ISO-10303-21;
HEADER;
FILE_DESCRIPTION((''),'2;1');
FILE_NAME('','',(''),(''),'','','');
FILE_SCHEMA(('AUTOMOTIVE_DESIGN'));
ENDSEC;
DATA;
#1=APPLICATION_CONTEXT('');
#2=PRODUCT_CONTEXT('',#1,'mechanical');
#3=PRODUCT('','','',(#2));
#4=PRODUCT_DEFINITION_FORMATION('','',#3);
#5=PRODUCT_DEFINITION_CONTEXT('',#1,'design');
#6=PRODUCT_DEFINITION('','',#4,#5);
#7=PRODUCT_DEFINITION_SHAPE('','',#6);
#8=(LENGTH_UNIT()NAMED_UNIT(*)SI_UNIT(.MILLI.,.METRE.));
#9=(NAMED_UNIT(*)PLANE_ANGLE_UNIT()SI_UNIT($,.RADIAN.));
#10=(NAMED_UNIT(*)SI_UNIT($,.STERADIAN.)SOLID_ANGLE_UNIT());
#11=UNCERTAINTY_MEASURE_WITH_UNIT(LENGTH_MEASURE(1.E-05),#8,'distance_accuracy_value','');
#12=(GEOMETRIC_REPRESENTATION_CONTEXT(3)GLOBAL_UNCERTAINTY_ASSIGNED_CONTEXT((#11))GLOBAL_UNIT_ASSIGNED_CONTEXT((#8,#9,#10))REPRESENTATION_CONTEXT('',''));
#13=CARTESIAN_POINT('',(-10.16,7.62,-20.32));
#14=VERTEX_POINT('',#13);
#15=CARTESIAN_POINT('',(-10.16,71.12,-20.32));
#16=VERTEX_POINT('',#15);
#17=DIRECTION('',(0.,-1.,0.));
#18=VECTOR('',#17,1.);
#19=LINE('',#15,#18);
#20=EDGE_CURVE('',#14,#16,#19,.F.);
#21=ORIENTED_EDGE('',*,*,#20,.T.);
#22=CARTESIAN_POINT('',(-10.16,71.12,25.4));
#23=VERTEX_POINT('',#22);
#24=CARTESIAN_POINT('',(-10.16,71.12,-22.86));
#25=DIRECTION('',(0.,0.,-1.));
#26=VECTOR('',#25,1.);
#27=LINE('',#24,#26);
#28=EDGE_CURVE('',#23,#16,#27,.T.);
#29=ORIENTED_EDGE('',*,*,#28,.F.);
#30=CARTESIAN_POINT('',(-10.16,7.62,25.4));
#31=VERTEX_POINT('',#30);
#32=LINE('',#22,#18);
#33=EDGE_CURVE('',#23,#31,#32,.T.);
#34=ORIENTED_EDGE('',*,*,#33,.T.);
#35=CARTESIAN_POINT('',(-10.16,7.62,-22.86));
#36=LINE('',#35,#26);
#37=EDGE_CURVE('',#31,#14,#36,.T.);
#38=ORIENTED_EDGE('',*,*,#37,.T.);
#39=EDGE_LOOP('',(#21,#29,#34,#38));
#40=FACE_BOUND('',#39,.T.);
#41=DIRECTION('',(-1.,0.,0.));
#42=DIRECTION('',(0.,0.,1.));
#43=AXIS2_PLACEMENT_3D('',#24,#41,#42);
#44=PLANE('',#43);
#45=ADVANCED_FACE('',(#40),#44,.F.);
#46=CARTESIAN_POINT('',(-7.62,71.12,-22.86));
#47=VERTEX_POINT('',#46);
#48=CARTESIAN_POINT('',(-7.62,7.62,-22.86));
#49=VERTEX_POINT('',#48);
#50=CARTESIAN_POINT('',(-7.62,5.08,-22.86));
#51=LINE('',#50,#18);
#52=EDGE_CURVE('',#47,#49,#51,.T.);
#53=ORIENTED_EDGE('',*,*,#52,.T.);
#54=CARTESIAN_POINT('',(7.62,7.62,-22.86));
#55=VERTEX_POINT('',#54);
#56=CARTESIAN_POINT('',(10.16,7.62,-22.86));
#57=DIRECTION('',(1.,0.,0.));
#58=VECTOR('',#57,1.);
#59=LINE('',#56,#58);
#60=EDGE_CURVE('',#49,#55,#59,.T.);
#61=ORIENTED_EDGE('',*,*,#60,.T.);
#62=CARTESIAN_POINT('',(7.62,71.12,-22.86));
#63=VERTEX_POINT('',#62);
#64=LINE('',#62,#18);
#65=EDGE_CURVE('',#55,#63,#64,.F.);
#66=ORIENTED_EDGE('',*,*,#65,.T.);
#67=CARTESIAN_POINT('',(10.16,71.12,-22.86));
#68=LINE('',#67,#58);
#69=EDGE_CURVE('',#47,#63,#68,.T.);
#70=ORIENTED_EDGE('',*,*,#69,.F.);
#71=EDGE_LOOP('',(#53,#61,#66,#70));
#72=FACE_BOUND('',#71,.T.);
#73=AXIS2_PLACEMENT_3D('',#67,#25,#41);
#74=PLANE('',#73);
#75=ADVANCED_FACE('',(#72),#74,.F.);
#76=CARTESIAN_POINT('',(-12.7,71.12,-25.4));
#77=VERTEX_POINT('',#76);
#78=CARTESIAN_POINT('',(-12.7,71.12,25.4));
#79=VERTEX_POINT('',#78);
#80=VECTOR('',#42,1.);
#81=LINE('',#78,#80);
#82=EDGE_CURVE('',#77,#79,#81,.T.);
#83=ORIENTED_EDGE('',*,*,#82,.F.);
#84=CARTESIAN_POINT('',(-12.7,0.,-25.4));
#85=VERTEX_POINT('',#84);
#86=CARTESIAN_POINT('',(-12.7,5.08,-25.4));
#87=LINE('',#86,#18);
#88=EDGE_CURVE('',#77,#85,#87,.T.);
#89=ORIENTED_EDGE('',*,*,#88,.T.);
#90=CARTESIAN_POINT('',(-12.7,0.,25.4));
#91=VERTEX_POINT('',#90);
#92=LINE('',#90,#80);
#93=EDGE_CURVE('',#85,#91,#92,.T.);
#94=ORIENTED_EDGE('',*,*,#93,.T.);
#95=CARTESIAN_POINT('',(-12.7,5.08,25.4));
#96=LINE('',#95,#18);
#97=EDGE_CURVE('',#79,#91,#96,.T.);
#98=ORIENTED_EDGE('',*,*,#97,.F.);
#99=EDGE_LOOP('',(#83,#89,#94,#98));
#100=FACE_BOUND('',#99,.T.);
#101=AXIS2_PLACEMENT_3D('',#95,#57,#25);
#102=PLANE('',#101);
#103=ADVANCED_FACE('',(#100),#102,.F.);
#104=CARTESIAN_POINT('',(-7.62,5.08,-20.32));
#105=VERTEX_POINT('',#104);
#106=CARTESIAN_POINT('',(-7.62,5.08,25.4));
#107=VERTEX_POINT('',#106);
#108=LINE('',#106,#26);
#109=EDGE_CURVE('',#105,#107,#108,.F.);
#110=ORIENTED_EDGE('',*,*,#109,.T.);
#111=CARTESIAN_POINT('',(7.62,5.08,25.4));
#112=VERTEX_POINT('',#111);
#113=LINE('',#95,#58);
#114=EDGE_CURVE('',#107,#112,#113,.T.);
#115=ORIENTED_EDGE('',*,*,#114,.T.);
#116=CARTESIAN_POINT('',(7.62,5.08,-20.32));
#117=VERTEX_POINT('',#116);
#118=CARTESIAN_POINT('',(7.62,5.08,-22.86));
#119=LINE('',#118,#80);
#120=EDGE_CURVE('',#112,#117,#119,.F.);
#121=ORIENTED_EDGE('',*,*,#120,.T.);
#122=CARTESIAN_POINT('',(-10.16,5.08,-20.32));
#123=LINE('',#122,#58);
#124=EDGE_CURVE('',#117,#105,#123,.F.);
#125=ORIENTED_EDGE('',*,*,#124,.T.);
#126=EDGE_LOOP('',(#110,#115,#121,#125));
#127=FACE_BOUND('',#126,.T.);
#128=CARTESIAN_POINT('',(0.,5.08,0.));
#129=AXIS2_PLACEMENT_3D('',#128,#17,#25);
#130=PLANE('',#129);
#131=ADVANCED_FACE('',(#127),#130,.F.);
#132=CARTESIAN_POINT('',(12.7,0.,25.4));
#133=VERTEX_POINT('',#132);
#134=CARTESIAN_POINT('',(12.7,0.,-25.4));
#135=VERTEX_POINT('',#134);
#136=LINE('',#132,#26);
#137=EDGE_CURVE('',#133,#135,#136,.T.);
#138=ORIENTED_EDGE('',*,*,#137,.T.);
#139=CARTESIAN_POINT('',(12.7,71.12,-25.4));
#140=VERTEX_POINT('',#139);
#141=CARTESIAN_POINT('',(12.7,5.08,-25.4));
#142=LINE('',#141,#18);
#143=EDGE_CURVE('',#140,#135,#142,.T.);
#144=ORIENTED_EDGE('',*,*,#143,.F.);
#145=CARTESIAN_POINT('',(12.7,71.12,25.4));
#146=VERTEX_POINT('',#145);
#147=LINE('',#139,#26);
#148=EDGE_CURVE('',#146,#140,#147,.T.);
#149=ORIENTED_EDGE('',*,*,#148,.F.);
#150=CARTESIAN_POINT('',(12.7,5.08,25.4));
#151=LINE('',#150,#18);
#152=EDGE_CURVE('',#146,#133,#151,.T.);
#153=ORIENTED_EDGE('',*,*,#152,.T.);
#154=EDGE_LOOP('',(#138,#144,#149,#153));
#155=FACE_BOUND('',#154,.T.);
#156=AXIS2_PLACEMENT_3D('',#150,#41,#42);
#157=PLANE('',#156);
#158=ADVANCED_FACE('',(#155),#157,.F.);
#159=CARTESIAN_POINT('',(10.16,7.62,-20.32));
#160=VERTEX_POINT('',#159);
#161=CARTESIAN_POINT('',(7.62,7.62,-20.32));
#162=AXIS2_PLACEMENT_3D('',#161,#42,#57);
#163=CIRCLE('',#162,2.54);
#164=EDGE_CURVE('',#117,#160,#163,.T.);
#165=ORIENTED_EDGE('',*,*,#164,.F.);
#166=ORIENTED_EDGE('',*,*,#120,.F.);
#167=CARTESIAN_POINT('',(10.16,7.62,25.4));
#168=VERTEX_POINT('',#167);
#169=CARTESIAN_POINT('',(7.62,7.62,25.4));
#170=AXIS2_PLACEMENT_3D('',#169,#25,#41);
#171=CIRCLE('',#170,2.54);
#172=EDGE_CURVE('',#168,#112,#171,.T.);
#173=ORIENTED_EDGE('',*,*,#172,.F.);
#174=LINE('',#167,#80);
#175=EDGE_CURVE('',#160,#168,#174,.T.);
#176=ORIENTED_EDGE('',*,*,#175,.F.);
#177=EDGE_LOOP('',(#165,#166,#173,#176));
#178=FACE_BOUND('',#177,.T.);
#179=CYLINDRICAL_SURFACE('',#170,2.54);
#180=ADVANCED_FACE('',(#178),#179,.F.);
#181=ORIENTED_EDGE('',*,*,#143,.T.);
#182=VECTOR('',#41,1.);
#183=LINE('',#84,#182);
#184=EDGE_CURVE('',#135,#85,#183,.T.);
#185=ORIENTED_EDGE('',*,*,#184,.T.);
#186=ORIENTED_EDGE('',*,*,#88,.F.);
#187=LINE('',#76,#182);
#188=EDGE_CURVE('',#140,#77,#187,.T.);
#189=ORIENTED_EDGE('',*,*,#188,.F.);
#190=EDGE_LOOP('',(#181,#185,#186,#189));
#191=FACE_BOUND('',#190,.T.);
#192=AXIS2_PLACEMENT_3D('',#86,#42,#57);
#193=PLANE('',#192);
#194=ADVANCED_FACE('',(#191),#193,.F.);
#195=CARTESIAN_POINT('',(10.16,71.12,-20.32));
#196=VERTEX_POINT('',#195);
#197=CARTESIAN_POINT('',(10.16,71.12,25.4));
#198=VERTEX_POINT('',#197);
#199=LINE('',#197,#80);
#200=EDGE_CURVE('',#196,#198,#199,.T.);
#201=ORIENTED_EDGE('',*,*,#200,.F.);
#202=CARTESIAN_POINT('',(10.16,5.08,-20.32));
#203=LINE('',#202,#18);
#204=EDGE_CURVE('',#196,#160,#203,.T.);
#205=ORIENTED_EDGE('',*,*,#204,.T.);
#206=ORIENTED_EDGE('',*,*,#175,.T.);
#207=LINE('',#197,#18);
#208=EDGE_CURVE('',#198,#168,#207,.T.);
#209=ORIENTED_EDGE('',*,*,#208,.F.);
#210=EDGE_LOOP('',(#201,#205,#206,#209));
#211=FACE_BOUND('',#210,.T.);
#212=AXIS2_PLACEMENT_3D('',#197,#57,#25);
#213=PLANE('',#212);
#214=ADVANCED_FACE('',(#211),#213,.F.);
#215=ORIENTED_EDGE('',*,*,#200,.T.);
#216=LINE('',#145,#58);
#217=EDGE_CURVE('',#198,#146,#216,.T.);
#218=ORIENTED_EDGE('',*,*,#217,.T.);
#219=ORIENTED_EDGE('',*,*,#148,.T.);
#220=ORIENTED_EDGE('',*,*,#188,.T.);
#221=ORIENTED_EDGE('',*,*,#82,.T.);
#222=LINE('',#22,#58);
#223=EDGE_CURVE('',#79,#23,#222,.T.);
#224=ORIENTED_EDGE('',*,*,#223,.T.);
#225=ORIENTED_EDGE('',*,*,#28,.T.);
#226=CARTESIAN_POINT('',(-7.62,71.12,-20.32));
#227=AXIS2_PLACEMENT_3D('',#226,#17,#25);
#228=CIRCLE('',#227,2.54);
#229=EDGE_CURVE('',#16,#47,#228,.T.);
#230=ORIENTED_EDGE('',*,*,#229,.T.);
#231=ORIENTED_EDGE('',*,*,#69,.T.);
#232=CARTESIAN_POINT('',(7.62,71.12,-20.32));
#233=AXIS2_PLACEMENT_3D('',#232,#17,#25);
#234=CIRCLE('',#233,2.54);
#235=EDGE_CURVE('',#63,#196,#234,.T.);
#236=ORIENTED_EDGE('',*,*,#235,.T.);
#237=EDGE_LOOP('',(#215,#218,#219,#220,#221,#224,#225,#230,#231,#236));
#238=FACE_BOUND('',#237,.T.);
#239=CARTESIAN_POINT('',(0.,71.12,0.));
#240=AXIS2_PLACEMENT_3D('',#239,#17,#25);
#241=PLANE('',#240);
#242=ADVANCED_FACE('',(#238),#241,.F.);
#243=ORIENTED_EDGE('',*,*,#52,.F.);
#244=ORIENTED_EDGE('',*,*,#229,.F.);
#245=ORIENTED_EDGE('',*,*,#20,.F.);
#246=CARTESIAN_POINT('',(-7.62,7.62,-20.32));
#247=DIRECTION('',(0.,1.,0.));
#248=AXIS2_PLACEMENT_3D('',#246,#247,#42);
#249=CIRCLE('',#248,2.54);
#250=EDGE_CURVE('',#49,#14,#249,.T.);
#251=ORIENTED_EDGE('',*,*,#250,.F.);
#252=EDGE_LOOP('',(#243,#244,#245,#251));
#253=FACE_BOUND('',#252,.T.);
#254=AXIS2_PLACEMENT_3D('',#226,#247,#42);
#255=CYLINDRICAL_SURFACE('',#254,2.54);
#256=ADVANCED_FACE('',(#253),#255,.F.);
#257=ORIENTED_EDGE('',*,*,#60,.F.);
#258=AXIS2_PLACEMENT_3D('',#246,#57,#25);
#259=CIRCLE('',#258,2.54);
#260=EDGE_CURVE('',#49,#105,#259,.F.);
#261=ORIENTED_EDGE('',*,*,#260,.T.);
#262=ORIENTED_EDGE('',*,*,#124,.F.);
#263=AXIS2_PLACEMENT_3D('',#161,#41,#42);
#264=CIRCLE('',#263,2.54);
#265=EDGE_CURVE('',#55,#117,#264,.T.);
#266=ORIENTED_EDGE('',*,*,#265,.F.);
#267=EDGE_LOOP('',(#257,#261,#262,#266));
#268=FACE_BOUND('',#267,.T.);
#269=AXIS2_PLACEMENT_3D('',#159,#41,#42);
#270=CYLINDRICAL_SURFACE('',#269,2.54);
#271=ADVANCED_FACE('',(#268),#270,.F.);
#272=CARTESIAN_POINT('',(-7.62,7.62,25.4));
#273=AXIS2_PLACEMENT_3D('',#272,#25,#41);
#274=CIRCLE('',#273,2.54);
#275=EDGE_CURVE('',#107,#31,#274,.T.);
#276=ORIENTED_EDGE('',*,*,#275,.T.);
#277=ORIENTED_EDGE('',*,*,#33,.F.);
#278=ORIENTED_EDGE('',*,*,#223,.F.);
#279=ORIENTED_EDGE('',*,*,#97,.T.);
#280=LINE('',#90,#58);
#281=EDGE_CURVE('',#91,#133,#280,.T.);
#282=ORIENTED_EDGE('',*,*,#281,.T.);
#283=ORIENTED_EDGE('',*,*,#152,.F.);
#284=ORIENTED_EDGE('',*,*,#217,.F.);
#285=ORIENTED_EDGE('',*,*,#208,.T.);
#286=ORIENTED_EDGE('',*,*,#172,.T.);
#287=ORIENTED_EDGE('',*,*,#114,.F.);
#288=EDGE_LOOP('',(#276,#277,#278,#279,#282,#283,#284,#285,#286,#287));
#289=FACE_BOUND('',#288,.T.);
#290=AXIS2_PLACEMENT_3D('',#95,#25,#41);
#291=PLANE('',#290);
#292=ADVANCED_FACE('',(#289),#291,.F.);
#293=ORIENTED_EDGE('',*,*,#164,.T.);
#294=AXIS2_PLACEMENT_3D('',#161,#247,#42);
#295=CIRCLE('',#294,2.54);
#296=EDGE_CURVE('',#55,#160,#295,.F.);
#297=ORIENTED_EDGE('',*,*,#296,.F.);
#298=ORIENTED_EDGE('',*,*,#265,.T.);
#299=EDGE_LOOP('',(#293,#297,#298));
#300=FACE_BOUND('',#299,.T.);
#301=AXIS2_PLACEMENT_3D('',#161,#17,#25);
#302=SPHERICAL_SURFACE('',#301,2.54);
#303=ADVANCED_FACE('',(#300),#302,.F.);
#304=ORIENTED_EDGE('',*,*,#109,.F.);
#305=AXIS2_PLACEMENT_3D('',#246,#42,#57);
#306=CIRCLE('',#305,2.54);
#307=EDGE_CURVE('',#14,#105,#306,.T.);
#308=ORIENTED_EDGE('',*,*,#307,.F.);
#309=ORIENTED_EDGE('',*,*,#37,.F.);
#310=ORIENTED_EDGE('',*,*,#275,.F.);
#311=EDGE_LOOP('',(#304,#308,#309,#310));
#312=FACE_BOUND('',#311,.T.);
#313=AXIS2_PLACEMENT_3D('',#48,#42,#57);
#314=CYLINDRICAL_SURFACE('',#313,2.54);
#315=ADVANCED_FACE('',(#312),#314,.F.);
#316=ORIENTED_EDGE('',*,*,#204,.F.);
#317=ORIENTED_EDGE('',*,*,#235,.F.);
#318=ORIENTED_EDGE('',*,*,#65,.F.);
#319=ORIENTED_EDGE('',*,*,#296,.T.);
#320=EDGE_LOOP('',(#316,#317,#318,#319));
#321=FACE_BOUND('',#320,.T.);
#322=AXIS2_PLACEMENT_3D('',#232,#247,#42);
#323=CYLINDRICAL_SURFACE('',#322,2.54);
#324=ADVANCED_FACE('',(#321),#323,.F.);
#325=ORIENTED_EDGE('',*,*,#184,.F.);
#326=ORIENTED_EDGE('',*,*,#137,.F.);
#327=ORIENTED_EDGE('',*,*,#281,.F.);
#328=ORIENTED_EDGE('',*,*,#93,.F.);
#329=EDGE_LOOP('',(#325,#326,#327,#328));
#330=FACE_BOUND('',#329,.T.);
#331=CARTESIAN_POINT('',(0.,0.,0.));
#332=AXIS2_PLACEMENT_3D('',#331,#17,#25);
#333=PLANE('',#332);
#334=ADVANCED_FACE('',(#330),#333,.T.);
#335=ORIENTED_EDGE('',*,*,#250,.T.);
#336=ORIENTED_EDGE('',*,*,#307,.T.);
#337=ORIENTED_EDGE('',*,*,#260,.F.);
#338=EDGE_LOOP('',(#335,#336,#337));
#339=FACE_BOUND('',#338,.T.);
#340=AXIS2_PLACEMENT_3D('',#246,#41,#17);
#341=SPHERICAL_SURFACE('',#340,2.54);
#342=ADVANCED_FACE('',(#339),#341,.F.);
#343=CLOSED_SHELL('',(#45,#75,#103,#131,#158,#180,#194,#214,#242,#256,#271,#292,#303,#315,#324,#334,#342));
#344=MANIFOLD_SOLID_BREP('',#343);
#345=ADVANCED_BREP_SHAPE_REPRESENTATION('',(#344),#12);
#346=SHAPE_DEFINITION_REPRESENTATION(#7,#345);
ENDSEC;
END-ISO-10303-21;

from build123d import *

# Parameters (mm, degrees)
SKETCH1_W           = 25.4
SKETCH1_H           = 50.8
BOSS_EXTRUDE1_DEPTH = 5.08
BOSS_EXTRUDE2_DEPTH = 66.04
FILLET1_R           = 2.54


with BuildPart() as part:
    # Sketch1 → Boss-Extrude1 (new body)
    with BuildSketch(Plane(origin=(0, 0, 0), x_dir=(1, 0, 0), z_dir=(0, 1, 0))):
        Rectangle(SKETCH1_W, SKETCH1_H)
    extrude(amount=BOSS_EXTRUDE1_DEPTH)

    # Sketch2 → Boss-Extrude2 (add)
    with BuildSketch(Plane(origin=(0, 5.08, 0), x_dir=(1, 0, 0), z_dir=(0, 1, 0))):
        Polygon((-12.7, -25.4), (-12.7, 25.4), (12.7, 25.4), (12.7, -25.4), (10.16, -25.4), (10.16, 22.86), (-10.16, 22.86), (-10.16, -25.4), align=None)
    extrude(amount=BOSS_EXTRUDE2_DEPTH)

    # Fillet1
    fillet1_edges = [part.edges().sort_by_distance(p)[0] for p in [
        (-10.16, 5.08, 1.27),
        (0, 5.08, -22.86),
        (-10.16, 38.1, -22.86),
        (10.16, 5.08, 1.27),
        (10.16, 38.1, -22.86),
    ]]
    fillet(fillet1_edges, radius=FILLET1_R)


solid = part.part
